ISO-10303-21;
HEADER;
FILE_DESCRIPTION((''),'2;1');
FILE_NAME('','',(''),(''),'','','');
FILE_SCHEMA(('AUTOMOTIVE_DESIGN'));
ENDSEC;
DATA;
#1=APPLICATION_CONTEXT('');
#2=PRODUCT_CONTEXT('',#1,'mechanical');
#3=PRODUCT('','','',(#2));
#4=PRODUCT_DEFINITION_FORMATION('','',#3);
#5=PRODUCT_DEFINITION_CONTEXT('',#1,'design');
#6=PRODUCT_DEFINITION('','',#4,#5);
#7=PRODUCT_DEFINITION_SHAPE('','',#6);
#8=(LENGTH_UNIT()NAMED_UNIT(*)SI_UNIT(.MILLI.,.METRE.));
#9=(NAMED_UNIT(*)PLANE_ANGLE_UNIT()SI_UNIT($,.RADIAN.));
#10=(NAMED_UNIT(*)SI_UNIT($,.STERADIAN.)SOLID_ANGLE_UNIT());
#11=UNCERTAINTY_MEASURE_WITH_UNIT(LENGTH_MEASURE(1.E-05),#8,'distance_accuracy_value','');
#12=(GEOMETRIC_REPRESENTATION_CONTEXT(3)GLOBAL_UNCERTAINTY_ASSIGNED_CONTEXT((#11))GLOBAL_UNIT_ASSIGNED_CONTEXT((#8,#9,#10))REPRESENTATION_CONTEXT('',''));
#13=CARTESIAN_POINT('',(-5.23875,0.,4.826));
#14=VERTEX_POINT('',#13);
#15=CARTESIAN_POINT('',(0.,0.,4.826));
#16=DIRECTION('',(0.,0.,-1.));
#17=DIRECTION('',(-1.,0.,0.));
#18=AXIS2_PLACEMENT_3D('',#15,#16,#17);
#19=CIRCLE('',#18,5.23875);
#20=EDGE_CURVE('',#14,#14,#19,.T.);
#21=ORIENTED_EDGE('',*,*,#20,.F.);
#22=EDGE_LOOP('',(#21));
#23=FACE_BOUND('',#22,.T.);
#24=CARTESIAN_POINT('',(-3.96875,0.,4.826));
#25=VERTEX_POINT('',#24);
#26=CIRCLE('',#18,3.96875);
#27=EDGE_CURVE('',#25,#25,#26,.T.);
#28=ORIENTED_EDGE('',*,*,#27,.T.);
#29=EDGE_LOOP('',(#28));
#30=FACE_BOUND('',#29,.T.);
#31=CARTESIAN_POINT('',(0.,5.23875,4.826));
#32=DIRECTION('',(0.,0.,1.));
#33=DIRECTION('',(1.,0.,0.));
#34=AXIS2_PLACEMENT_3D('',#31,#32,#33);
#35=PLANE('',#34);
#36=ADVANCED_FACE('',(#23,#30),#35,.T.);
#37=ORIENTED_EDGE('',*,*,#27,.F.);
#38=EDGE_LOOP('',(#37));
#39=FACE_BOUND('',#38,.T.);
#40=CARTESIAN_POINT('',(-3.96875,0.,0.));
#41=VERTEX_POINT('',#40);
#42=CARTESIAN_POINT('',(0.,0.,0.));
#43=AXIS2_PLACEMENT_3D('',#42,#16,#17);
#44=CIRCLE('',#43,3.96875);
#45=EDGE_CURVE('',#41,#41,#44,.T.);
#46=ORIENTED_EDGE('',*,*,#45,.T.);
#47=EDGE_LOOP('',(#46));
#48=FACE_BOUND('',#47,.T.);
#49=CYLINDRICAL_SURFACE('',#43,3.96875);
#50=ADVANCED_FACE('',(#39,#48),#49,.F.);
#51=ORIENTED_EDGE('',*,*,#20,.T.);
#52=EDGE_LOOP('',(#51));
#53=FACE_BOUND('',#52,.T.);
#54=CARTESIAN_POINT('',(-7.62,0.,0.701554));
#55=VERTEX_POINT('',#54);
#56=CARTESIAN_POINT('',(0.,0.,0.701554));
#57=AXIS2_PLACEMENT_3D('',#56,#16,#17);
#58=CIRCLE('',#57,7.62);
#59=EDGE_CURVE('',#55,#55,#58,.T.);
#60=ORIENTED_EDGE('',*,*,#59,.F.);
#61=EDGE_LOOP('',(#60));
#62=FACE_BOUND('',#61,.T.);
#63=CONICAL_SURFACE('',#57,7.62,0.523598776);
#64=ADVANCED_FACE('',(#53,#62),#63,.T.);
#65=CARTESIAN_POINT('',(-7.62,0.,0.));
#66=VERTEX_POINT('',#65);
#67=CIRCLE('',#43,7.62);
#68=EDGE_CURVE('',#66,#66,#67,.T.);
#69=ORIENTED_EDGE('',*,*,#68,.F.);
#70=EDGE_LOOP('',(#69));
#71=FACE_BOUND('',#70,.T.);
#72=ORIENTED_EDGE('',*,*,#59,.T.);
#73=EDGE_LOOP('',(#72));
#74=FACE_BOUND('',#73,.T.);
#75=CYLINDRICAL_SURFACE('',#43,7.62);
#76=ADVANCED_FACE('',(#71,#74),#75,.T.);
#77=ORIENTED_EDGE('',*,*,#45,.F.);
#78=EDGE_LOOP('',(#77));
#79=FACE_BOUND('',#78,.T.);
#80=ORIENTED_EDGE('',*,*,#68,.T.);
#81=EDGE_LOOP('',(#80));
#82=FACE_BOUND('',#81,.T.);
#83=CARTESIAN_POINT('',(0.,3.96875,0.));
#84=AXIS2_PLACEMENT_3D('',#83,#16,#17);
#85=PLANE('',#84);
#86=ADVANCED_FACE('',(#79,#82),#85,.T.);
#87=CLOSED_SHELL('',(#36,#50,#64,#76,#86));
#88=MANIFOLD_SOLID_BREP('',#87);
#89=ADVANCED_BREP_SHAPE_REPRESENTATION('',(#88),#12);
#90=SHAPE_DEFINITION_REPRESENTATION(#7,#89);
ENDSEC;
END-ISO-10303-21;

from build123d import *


with BuildPart() as part:
    # Sketch1 → Revolve1 (revolve)
    with BuildSketch(Plane.YZ, mode=Mode.PRIVATE) as revolve1_sk:
        Polygon((3.96875, 4.826), (3.96875, 0), (7.62, 0), (7.62, 0.701554014), (5.23875, 4.826), align=None)
    revolve(revolve1_sk.sketch.rotate(Axis((0, 0, 0), (0, 0, 1)), 90), axis=Axis((0, 0, 0), (0, 0, 1)))


solid = part.part
